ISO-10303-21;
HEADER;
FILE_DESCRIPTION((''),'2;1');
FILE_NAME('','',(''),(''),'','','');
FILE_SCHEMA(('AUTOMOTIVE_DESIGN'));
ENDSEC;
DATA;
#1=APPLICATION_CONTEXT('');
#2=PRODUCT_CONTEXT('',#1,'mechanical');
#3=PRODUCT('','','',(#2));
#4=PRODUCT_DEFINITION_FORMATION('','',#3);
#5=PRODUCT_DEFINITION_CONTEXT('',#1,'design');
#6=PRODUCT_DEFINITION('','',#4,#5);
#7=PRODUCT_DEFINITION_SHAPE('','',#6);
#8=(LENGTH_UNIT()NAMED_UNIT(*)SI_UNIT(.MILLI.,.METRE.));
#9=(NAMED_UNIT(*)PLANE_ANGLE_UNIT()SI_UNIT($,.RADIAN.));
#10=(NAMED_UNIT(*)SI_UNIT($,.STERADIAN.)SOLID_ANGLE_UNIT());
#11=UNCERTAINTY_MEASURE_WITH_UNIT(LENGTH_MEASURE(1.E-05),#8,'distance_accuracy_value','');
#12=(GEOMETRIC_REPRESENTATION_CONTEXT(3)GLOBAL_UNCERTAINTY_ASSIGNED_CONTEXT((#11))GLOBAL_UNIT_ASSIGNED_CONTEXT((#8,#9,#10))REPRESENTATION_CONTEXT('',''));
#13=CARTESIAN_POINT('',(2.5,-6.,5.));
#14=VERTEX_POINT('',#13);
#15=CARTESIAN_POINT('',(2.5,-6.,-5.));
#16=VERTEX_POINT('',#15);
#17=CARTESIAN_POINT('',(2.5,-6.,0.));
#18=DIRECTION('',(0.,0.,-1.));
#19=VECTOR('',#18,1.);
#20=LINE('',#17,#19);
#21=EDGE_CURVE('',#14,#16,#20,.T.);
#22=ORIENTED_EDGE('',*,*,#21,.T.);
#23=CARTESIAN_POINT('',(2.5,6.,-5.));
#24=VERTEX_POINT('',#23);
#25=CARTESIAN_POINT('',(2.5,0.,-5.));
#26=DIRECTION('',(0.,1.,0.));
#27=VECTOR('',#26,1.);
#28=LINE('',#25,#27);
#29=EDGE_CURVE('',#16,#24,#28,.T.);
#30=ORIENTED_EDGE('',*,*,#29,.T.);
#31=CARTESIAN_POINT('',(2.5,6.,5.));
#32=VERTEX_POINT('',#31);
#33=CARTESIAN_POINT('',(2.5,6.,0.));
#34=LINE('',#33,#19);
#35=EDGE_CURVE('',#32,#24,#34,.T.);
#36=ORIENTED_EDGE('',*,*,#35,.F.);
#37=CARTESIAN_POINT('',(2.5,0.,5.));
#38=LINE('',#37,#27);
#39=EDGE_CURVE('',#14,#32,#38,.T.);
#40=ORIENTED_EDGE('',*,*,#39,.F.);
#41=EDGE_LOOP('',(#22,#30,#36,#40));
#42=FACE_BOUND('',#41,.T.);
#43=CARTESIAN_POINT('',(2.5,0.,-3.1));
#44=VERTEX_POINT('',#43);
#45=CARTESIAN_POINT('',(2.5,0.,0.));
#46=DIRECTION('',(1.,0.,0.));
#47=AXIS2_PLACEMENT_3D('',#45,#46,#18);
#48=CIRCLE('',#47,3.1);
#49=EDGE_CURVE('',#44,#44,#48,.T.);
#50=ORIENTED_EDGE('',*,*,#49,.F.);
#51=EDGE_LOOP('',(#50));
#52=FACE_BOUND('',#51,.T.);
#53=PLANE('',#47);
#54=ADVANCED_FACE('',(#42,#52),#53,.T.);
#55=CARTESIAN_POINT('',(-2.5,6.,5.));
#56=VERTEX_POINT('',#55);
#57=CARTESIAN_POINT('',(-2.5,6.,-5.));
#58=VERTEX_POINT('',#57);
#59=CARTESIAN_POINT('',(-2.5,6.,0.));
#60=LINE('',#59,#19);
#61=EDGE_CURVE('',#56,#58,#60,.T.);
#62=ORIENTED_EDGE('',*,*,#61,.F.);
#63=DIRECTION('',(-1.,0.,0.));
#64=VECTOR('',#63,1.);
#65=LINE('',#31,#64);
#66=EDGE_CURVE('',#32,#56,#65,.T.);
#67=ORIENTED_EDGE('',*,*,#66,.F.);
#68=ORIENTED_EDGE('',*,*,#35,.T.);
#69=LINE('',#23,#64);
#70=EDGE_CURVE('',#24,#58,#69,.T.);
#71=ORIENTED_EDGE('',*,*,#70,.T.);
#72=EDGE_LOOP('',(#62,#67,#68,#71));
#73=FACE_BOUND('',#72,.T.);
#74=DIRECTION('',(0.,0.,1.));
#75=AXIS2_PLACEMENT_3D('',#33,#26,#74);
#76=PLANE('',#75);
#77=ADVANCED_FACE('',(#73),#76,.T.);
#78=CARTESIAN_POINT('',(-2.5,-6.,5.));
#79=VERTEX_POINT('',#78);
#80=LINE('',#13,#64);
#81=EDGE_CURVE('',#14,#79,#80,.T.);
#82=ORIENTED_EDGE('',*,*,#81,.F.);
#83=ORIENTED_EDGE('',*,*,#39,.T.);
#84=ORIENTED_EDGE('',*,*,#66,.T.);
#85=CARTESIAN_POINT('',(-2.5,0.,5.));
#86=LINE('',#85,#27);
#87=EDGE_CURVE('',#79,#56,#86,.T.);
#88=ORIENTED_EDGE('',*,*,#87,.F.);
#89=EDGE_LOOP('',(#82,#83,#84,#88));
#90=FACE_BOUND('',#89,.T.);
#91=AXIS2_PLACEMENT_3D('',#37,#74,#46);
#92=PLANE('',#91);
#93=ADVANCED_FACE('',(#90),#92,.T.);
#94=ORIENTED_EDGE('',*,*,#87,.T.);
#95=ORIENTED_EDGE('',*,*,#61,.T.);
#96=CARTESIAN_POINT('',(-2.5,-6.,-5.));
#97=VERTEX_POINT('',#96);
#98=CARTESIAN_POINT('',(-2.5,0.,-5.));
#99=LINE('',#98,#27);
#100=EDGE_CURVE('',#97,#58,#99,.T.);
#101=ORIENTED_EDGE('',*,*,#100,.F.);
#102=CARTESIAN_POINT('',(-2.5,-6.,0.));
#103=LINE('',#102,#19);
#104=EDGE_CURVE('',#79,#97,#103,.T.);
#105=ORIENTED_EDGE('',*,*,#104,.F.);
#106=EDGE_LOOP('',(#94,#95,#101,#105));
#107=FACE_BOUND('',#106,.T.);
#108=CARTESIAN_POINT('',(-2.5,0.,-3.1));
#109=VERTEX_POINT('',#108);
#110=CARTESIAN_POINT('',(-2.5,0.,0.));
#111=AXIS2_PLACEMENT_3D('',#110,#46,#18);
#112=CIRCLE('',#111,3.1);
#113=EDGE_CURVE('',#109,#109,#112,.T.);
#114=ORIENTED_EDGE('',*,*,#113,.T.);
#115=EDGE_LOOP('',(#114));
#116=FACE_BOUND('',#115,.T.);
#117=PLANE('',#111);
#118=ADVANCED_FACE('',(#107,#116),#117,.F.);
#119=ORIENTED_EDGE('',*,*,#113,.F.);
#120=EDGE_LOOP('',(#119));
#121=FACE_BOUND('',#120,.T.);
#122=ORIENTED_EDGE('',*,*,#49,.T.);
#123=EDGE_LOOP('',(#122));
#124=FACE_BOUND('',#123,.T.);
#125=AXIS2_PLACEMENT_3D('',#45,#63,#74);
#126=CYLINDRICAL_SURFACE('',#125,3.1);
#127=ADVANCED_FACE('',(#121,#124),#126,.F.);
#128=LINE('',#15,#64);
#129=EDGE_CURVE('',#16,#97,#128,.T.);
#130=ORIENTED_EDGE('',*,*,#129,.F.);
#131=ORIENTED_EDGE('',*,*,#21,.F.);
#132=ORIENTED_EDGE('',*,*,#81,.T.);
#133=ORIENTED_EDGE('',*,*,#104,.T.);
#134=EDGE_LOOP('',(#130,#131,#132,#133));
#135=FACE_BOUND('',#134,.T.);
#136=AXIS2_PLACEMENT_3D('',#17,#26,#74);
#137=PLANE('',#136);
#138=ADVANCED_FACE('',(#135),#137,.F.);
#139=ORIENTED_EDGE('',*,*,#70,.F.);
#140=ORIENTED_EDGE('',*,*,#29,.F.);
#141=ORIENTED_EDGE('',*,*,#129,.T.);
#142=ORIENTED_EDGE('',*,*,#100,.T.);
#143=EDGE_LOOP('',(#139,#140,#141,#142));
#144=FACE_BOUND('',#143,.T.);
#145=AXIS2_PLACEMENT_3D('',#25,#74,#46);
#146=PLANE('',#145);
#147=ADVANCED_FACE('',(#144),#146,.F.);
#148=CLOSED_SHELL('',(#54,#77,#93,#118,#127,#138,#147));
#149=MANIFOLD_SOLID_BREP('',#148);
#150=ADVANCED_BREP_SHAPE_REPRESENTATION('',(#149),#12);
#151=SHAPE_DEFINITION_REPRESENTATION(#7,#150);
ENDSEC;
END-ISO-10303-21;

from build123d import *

# Parameters (mm, degrees)
SKETCH_1_W      = 10
SKETCH_1_H      = 12
SKETCH_1_R      = 3.1
EXTRUDE_1_DEPTH = 2.5


with BuildPart() as part:
    # Эскиз1 → Бобышка-Вытянуть1 (new, symmetric)
    with BuildSketch(Plane(origin=(0, 0, 0), x_dir=(0, 0, -1), z_dir=(1, 0, 0))):
        Rectangle(SKETCH_1_W, SKETCH_1_H)
        Circle(SKETCH_1_R, mode=Mode.SUBTRACT)
    extrude(amount=EXTRUDE_1_DEPTH, both=True)


solid = part.part
